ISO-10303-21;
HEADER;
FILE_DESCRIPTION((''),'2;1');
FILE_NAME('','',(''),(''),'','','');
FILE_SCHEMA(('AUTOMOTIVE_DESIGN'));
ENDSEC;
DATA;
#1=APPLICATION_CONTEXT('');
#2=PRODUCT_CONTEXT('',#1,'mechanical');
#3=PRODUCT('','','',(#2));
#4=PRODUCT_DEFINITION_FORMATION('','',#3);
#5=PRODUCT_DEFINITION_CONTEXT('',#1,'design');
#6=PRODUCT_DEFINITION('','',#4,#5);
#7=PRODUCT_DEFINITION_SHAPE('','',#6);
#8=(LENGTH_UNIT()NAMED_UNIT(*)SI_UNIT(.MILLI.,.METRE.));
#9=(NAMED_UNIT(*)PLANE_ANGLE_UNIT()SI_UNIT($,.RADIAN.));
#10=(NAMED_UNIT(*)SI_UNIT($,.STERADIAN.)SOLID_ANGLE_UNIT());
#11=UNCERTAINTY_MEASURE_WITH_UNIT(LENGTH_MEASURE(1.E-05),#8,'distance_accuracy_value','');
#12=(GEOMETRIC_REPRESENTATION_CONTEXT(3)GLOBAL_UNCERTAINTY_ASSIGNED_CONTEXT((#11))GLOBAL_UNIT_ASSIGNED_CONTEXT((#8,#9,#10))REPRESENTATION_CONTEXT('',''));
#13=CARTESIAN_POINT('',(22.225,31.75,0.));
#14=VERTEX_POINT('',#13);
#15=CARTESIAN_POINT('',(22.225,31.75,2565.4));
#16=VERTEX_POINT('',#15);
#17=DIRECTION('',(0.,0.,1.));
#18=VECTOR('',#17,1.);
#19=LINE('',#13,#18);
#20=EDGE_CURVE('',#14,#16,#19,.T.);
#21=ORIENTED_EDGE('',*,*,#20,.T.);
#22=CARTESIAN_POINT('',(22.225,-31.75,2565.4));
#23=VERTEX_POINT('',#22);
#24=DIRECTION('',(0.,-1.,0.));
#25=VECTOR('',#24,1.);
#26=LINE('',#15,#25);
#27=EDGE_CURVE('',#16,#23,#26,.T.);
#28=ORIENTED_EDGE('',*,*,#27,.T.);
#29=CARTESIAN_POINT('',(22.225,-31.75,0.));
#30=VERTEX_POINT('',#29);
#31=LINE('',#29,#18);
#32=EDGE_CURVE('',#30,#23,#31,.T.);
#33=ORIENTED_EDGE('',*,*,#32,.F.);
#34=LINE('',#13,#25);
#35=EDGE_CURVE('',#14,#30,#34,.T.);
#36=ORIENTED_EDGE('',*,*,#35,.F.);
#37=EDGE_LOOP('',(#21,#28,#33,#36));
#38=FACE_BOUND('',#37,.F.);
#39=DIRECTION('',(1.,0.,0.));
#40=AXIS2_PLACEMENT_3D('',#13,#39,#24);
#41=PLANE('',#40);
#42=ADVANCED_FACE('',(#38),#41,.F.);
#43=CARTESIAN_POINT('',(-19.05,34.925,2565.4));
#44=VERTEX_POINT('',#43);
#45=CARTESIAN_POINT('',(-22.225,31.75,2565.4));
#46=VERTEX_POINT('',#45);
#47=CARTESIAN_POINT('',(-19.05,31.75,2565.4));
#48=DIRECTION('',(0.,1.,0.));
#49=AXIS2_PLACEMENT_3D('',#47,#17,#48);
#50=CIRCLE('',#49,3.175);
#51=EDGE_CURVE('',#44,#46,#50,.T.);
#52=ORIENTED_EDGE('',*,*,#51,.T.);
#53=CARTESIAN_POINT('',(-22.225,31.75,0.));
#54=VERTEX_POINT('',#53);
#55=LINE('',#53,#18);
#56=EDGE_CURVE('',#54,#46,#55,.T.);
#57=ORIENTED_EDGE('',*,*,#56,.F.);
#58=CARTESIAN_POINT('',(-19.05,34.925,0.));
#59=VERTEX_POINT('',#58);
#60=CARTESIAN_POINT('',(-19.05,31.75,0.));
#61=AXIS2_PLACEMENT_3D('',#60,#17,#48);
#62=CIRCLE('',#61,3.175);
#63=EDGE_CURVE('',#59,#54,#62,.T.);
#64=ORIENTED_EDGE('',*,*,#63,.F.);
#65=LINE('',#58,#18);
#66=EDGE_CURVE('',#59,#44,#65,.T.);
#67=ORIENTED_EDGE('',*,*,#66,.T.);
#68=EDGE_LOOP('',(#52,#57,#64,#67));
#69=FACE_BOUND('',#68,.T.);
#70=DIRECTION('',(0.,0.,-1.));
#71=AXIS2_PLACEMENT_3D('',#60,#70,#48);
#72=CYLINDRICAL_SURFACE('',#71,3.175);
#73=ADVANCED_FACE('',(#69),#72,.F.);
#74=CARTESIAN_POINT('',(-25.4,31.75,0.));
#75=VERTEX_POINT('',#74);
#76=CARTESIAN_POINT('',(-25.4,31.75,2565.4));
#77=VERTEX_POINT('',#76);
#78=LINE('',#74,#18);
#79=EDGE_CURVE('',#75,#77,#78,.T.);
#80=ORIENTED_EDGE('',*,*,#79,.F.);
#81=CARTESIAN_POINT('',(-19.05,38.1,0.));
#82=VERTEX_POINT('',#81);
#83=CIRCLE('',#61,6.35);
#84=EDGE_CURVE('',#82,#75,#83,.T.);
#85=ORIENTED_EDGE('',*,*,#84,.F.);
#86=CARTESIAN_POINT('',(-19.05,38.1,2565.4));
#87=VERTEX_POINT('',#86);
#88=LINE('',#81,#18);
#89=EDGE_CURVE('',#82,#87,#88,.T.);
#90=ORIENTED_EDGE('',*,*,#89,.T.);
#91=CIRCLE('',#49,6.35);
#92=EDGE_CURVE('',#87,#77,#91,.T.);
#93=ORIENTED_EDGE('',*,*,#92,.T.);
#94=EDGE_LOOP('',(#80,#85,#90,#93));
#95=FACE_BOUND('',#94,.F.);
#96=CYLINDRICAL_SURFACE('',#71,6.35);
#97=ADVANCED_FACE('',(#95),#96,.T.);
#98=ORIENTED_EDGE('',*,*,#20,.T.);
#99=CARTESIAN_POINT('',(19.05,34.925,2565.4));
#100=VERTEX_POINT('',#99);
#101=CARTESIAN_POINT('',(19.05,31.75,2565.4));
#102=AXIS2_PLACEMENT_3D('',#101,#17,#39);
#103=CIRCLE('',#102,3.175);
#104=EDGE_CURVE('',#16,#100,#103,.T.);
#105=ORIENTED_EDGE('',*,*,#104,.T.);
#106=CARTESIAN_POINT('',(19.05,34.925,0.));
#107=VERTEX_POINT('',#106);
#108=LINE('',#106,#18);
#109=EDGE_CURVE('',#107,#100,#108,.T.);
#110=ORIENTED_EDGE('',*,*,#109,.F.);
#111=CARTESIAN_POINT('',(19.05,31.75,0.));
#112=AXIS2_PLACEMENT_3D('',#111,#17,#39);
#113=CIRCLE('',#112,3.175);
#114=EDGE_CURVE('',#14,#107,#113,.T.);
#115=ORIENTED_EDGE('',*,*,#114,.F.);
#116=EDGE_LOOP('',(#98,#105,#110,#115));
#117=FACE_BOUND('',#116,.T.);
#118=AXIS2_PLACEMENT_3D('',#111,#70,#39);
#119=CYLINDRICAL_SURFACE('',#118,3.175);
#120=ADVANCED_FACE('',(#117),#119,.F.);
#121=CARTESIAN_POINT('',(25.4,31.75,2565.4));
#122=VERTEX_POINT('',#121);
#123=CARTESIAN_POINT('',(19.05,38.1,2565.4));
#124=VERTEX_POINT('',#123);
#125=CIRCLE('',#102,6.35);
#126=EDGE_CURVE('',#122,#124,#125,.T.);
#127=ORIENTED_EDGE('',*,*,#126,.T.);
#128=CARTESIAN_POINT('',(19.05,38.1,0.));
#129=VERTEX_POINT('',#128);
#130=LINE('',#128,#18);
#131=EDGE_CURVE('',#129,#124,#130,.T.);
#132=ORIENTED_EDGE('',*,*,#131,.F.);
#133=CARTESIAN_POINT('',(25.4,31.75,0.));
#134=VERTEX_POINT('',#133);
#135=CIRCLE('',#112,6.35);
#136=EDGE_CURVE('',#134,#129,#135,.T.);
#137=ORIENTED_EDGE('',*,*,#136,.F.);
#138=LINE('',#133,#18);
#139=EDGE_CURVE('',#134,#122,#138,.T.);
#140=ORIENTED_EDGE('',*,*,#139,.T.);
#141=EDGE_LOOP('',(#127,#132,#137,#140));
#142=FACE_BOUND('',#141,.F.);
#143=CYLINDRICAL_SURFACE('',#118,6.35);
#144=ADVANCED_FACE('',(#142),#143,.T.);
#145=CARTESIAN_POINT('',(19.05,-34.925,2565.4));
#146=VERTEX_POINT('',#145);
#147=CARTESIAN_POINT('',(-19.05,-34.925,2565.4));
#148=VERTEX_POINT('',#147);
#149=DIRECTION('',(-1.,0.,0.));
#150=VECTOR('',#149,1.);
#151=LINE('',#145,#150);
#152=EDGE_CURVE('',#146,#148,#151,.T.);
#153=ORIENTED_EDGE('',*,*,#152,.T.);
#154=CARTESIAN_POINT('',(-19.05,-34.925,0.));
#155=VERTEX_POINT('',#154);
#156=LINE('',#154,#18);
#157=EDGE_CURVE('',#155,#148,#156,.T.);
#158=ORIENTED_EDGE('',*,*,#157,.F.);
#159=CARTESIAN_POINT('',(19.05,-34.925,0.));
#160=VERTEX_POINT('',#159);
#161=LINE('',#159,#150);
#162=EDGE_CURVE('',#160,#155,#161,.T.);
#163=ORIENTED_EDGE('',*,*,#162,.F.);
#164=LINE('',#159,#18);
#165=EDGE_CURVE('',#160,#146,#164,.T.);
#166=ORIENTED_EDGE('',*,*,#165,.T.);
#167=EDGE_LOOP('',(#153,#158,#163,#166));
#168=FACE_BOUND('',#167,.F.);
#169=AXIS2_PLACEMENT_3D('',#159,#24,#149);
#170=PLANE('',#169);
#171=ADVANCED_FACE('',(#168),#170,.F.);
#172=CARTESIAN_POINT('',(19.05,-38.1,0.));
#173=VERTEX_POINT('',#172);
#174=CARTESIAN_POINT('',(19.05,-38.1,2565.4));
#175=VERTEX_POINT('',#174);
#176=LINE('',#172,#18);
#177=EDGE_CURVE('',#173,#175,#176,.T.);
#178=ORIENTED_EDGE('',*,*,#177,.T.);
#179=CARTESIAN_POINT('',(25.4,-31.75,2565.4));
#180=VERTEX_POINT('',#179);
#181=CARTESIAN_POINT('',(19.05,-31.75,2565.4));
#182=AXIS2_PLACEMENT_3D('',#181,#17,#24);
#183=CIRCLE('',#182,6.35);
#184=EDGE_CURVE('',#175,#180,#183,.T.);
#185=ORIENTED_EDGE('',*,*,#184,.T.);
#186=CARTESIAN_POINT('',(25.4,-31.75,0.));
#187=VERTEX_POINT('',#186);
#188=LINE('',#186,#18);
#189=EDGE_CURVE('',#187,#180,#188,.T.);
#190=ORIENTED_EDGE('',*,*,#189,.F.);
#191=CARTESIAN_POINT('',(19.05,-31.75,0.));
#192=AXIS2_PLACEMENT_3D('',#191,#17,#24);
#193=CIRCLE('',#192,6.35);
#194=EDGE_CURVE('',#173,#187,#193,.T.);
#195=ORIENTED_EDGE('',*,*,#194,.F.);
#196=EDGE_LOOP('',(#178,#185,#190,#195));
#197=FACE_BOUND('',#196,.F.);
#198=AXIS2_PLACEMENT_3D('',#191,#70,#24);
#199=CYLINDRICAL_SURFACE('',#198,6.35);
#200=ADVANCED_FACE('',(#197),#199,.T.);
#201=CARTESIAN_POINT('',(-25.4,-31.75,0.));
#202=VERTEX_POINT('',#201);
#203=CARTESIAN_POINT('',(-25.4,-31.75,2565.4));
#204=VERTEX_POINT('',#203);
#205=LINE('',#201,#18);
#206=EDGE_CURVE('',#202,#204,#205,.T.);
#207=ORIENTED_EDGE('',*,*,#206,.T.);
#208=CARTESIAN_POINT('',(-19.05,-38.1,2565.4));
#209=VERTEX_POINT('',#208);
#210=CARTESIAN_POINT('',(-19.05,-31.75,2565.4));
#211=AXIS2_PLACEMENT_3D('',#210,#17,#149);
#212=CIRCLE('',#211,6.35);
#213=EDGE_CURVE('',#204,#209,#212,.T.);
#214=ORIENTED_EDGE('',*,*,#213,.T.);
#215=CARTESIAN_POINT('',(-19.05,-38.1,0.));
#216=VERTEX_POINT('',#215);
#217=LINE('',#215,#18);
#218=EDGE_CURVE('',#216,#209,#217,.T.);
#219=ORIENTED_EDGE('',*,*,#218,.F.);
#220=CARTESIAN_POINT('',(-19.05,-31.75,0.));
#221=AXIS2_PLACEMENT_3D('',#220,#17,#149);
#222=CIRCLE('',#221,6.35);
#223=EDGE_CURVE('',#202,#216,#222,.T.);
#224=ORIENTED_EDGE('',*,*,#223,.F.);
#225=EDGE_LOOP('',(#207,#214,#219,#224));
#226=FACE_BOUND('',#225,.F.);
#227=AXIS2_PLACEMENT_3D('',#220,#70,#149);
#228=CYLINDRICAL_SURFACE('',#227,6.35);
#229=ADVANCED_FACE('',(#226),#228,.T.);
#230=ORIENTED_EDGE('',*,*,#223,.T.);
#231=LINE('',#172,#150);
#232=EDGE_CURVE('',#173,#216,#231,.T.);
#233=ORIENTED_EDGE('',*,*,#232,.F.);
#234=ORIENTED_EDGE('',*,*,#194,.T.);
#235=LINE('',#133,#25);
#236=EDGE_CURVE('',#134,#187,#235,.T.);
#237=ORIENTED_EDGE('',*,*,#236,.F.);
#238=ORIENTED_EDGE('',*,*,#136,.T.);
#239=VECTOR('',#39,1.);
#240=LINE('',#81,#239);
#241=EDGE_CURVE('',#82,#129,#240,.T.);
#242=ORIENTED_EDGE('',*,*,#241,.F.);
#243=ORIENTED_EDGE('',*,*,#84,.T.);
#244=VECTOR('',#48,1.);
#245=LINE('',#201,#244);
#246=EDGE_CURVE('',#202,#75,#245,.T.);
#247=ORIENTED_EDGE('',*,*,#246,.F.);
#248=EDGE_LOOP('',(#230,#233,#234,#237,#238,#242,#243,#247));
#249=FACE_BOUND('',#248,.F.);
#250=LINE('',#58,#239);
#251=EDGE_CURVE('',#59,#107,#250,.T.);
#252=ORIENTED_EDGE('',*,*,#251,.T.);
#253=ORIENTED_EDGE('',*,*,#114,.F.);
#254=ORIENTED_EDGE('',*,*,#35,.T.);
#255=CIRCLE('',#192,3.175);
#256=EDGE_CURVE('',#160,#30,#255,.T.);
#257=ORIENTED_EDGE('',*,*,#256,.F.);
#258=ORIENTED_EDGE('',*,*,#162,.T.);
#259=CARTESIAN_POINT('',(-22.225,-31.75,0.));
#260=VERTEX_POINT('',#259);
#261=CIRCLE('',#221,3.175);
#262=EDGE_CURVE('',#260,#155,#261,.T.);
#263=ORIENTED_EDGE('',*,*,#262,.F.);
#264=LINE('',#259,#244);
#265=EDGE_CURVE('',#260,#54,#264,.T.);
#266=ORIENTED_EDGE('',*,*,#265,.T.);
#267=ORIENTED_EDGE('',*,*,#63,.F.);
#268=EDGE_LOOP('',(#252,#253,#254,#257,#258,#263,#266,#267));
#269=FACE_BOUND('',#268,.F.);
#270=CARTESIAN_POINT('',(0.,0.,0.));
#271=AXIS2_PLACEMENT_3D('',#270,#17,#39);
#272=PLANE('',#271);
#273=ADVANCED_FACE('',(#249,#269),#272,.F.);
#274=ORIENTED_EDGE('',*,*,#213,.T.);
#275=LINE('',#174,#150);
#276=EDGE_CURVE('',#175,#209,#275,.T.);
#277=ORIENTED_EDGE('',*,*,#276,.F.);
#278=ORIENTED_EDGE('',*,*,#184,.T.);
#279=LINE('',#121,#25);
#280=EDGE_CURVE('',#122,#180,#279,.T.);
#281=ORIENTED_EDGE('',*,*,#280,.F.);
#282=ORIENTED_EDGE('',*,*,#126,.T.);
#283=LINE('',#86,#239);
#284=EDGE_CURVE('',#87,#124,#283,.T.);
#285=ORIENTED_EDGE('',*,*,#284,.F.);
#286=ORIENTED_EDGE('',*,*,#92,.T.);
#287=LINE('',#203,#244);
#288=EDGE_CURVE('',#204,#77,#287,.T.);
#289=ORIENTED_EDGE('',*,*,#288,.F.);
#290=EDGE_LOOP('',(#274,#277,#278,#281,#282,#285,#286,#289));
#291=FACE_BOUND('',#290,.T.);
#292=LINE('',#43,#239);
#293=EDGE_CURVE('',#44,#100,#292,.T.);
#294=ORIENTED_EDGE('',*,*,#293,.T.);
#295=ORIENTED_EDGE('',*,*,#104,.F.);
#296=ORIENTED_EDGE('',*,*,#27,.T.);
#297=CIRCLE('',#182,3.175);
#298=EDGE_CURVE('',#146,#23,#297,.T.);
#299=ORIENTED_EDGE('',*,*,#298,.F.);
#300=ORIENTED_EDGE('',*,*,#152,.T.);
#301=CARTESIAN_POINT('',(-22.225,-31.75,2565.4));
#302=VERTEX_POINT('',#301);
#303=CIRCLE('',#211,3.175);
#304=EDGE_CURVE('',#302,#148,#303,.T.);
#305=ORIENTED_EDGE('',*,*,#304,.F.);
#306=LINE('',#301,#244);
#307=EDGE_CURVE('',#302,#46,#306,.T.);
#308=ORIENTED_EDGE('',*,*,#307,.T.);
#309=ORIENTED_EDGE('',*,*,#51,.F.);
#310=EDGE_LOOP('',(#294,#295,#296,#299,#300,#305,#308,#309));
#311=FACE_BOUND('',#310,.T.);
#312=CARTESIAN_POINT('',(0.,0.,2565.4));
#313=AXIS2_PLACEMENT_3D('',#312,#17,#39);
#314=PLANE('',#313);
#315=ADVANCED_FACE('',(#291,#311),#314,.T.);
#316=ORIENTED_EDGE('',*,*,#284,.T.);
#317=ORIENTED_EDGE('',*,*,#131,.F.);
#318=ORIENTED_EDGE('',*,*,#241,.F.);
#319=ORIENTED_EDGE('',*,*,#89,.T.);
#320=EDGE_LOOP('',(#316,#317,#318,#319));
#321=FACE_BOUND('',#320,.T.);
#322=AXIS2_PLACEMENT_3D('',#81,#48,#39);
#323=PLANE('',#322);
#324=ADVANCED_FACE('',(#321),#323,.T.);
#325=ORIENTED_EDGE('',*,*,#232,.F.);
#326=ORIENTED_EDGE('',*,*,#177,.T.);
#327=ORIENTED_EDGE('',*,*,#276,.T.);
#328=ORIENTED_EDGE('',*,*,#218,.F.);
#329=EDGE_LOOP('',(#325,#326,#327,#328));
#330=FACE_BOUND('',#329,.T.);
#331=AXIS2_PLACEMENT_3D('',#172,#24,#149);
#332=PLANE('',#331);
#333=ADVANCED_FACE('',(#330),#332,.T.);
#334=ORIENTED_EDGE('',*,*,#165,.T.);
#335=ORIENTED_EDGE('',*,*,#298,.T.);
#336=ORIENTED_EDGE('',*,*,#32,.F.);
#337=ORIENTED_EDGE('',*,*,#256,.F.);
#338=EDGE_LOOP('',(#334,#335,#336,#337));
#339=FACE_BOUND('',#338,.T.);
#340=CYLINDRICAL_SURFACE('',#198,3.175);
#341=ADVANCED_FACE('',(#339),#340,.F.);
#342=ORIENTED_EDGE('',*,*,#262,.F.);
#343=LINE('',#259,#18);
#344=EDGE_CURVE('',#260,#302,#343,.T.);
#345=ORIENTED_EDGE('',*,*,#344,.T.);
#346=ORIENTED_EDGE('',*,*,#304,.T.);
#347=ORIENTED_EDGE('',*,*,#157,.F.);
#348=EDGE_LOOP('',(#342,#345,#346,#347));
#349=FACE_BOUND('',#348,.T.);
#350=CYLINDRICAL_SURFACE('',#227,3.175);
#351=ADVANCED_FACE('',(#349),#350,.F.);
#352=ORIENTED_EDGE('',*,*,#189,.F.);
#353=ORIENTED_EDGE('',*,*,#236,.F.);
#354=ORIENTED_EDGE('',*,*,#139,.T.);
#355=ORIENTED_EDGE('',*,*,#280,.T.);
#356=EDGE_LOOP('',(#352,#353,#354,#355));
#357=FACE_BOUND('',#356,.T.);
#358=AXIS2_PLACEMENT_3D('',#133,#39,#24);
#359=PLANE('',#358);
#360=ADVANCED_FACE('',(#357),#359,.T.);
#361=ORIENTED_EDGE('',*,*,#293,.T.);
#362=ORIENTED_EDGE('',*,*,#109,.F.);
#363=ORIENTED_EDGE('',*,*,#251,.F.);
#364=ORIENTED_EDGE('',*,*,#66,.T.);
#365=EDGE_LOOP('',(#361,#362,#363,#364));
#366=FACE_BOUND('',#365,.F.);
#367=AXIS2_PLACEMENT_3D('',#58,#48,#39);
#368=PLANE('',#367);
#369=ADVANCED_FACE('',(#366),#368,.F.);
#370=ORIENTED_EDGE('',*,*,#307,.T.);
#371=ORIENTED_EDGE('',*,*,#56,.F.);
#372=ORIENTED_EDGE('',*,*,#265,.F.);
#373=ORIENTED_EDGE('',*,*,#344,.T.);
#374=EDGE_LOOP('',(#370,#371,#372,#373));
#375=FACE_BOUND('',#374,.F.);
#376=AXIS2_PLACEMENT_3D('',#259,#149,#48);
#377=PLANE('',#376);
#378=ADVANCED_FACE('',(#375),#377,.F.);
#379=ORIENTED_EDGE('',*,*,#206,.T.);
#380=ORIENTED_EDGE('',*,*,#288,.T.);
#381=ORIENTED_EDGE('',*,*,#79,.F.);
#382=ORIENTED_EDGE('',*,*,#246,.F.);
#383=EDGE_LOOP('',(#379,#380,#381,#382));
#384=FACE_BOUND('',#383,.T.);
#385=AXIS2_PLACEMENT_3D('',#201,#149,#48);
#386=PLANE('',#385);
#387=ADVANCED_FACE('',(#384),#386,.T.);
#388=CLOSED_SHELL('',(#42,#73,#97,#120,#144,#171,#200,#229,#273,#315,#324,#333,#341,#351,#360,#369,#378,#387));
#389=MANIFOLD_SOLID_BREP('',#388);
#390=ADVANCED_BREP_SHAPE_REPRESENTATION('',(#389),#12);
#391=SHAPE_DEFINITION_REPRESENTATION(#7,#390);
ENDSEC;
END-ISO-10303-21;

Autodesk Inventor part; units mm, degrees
ref_plane "Start Plane" through (0, 0, 0) normal (0, 0, 1) x (1, 0, 0)
ref_plane "End Plane" through (0, 0, 2565.4) normal (0, 0, 1) x (1, 0, 0)
sketch "Sketch" plane through (0, 0, 0) normal (0, 0, 1) x (1, 0, 0)
  line L0 (-25.4, -31.75) -> (-25.4, 31.75)
  line L1 (-19.05, 38.1) -> (19.05, 38.1)
  line L2 (25.4, 31.75) -> (25.4, -31.75)
  line L3 (19.05, -38.1) -> (-19.05, -38.1)
  arc A0 (-25.4, -31.75) -> (-19.05, -38.1) centre (-19.05, -31.75) ccw
  arc A1 (-19.05, 38.1) -> (-25.4, 31.75) centre (-19.05, 31.75) ccw
  arc A2 (25.4, 31.75) -> (19.05, 38.1) centre (19.05, 31.75) ccw
  arc A3 (19.05, -38.1) -> (25.4, -31.75) centre (19.05, -31.75) ccw
  arc A4 (-19.05, 34.925) -> (-22.225, 31.75) centre (-19.05, 31.75) ccw
  line L4 (-19.05, 34.925) -> (19.05, 34.925)
  arc A5 (22.225, 31.75) -> (19.05, 34.925) centre (19.05, 31.75) ccw
  line L5 (22.225, 31.75) -> (22.225, -31.75)
  arc A6 (19.05, -34.925) -> (22.225, -31.75) centre (19.05, -31.75) ccw
  line L6 (19.05, -34.925) -> (-19.05, -34.925)
  arc A7 (-22.225, -31.75) -> (-19.05, -34.925) centre (-19.05, -31.75) ccw
  line L7 (-22.225, -31.75) -> (-22.225, 31.75)
  line L8 (0, 55.1812) -> (0, -55.1812) construction
  line L9 (-37.4012, 0) -> (37.4012, 0) construction
  dimension "d10" = 76.2
  dimension "d11" = 50.8
  dimension "d12" = 3.175
  dimension "d15" = 38.1
  dimension "d16" = 25.4
  dimension "d17" = 6.35
extrude "Body" add sketch "Sketch" along normal up to surface (2565.4 mm away) from surface at 0
sketch "Sketch3" plane through (0, 0, 0) normal (0, 0, 1) x (1, 0, 0)
  line L0 (0, 0) -> (10, 0)
ref_plane "Work Plane3" through (0, 0, 0) normal (0, -1, 0) x (1, 0, 0)
ref_plane "Work Plane4" through (25.4, 0, 0) normal (0, 0, -1) x (-1, 0, 0)
split "Split1" plane through (25.4, 0, 0) removes the side toward (0, 0, -1)
ref_plane "Work Plane5" through (25.4, 0, 2565.4) normal (0, 0, 1) x (1, 0, 0)
split "Split2" plane through (25.4, 0, 2565.4) removes the side toward (0, 0, 1)
sketch "Sketch4" plane through (0, 0, 0) normal (0, -1, 0) x (1, 0, 0)
  line L0 (-2, 0) -> (12, 0) projected
  line L1 (-2, 2565.4) -> (12, 2565.4) projected
  dimension "d19" = 2565.4
equation "\"d10\" = G_H"
equation "\"d11\" = G_W"
equation "\"d12\" = G_T"
equation "\"d15\" = 0.5 * d10"
equation "\"d16\" = 0.5 * d11"
equation "\"d17\" = G_IR"
equation "\"d3\" = G_L"
equation "\"G_W\" = 50.8"
equation "\"G_H\" = 76.2"
equation "\"G_T\" = 3.175"
equation "\"G_IR\" = 6.35"
equation "\"G_L\" = d19"
equation "\"G_OFFSET_START\" = 0"
equation "\"G_OFFSET_END\" = 0"
equation "\"d14\" = G_OFFSET_END + B_L"
equation "\"B_L\" = 2565.4"
properties part number "AISC - 3 x 2 x 1/8 - 101" material "Steel, Mild"
